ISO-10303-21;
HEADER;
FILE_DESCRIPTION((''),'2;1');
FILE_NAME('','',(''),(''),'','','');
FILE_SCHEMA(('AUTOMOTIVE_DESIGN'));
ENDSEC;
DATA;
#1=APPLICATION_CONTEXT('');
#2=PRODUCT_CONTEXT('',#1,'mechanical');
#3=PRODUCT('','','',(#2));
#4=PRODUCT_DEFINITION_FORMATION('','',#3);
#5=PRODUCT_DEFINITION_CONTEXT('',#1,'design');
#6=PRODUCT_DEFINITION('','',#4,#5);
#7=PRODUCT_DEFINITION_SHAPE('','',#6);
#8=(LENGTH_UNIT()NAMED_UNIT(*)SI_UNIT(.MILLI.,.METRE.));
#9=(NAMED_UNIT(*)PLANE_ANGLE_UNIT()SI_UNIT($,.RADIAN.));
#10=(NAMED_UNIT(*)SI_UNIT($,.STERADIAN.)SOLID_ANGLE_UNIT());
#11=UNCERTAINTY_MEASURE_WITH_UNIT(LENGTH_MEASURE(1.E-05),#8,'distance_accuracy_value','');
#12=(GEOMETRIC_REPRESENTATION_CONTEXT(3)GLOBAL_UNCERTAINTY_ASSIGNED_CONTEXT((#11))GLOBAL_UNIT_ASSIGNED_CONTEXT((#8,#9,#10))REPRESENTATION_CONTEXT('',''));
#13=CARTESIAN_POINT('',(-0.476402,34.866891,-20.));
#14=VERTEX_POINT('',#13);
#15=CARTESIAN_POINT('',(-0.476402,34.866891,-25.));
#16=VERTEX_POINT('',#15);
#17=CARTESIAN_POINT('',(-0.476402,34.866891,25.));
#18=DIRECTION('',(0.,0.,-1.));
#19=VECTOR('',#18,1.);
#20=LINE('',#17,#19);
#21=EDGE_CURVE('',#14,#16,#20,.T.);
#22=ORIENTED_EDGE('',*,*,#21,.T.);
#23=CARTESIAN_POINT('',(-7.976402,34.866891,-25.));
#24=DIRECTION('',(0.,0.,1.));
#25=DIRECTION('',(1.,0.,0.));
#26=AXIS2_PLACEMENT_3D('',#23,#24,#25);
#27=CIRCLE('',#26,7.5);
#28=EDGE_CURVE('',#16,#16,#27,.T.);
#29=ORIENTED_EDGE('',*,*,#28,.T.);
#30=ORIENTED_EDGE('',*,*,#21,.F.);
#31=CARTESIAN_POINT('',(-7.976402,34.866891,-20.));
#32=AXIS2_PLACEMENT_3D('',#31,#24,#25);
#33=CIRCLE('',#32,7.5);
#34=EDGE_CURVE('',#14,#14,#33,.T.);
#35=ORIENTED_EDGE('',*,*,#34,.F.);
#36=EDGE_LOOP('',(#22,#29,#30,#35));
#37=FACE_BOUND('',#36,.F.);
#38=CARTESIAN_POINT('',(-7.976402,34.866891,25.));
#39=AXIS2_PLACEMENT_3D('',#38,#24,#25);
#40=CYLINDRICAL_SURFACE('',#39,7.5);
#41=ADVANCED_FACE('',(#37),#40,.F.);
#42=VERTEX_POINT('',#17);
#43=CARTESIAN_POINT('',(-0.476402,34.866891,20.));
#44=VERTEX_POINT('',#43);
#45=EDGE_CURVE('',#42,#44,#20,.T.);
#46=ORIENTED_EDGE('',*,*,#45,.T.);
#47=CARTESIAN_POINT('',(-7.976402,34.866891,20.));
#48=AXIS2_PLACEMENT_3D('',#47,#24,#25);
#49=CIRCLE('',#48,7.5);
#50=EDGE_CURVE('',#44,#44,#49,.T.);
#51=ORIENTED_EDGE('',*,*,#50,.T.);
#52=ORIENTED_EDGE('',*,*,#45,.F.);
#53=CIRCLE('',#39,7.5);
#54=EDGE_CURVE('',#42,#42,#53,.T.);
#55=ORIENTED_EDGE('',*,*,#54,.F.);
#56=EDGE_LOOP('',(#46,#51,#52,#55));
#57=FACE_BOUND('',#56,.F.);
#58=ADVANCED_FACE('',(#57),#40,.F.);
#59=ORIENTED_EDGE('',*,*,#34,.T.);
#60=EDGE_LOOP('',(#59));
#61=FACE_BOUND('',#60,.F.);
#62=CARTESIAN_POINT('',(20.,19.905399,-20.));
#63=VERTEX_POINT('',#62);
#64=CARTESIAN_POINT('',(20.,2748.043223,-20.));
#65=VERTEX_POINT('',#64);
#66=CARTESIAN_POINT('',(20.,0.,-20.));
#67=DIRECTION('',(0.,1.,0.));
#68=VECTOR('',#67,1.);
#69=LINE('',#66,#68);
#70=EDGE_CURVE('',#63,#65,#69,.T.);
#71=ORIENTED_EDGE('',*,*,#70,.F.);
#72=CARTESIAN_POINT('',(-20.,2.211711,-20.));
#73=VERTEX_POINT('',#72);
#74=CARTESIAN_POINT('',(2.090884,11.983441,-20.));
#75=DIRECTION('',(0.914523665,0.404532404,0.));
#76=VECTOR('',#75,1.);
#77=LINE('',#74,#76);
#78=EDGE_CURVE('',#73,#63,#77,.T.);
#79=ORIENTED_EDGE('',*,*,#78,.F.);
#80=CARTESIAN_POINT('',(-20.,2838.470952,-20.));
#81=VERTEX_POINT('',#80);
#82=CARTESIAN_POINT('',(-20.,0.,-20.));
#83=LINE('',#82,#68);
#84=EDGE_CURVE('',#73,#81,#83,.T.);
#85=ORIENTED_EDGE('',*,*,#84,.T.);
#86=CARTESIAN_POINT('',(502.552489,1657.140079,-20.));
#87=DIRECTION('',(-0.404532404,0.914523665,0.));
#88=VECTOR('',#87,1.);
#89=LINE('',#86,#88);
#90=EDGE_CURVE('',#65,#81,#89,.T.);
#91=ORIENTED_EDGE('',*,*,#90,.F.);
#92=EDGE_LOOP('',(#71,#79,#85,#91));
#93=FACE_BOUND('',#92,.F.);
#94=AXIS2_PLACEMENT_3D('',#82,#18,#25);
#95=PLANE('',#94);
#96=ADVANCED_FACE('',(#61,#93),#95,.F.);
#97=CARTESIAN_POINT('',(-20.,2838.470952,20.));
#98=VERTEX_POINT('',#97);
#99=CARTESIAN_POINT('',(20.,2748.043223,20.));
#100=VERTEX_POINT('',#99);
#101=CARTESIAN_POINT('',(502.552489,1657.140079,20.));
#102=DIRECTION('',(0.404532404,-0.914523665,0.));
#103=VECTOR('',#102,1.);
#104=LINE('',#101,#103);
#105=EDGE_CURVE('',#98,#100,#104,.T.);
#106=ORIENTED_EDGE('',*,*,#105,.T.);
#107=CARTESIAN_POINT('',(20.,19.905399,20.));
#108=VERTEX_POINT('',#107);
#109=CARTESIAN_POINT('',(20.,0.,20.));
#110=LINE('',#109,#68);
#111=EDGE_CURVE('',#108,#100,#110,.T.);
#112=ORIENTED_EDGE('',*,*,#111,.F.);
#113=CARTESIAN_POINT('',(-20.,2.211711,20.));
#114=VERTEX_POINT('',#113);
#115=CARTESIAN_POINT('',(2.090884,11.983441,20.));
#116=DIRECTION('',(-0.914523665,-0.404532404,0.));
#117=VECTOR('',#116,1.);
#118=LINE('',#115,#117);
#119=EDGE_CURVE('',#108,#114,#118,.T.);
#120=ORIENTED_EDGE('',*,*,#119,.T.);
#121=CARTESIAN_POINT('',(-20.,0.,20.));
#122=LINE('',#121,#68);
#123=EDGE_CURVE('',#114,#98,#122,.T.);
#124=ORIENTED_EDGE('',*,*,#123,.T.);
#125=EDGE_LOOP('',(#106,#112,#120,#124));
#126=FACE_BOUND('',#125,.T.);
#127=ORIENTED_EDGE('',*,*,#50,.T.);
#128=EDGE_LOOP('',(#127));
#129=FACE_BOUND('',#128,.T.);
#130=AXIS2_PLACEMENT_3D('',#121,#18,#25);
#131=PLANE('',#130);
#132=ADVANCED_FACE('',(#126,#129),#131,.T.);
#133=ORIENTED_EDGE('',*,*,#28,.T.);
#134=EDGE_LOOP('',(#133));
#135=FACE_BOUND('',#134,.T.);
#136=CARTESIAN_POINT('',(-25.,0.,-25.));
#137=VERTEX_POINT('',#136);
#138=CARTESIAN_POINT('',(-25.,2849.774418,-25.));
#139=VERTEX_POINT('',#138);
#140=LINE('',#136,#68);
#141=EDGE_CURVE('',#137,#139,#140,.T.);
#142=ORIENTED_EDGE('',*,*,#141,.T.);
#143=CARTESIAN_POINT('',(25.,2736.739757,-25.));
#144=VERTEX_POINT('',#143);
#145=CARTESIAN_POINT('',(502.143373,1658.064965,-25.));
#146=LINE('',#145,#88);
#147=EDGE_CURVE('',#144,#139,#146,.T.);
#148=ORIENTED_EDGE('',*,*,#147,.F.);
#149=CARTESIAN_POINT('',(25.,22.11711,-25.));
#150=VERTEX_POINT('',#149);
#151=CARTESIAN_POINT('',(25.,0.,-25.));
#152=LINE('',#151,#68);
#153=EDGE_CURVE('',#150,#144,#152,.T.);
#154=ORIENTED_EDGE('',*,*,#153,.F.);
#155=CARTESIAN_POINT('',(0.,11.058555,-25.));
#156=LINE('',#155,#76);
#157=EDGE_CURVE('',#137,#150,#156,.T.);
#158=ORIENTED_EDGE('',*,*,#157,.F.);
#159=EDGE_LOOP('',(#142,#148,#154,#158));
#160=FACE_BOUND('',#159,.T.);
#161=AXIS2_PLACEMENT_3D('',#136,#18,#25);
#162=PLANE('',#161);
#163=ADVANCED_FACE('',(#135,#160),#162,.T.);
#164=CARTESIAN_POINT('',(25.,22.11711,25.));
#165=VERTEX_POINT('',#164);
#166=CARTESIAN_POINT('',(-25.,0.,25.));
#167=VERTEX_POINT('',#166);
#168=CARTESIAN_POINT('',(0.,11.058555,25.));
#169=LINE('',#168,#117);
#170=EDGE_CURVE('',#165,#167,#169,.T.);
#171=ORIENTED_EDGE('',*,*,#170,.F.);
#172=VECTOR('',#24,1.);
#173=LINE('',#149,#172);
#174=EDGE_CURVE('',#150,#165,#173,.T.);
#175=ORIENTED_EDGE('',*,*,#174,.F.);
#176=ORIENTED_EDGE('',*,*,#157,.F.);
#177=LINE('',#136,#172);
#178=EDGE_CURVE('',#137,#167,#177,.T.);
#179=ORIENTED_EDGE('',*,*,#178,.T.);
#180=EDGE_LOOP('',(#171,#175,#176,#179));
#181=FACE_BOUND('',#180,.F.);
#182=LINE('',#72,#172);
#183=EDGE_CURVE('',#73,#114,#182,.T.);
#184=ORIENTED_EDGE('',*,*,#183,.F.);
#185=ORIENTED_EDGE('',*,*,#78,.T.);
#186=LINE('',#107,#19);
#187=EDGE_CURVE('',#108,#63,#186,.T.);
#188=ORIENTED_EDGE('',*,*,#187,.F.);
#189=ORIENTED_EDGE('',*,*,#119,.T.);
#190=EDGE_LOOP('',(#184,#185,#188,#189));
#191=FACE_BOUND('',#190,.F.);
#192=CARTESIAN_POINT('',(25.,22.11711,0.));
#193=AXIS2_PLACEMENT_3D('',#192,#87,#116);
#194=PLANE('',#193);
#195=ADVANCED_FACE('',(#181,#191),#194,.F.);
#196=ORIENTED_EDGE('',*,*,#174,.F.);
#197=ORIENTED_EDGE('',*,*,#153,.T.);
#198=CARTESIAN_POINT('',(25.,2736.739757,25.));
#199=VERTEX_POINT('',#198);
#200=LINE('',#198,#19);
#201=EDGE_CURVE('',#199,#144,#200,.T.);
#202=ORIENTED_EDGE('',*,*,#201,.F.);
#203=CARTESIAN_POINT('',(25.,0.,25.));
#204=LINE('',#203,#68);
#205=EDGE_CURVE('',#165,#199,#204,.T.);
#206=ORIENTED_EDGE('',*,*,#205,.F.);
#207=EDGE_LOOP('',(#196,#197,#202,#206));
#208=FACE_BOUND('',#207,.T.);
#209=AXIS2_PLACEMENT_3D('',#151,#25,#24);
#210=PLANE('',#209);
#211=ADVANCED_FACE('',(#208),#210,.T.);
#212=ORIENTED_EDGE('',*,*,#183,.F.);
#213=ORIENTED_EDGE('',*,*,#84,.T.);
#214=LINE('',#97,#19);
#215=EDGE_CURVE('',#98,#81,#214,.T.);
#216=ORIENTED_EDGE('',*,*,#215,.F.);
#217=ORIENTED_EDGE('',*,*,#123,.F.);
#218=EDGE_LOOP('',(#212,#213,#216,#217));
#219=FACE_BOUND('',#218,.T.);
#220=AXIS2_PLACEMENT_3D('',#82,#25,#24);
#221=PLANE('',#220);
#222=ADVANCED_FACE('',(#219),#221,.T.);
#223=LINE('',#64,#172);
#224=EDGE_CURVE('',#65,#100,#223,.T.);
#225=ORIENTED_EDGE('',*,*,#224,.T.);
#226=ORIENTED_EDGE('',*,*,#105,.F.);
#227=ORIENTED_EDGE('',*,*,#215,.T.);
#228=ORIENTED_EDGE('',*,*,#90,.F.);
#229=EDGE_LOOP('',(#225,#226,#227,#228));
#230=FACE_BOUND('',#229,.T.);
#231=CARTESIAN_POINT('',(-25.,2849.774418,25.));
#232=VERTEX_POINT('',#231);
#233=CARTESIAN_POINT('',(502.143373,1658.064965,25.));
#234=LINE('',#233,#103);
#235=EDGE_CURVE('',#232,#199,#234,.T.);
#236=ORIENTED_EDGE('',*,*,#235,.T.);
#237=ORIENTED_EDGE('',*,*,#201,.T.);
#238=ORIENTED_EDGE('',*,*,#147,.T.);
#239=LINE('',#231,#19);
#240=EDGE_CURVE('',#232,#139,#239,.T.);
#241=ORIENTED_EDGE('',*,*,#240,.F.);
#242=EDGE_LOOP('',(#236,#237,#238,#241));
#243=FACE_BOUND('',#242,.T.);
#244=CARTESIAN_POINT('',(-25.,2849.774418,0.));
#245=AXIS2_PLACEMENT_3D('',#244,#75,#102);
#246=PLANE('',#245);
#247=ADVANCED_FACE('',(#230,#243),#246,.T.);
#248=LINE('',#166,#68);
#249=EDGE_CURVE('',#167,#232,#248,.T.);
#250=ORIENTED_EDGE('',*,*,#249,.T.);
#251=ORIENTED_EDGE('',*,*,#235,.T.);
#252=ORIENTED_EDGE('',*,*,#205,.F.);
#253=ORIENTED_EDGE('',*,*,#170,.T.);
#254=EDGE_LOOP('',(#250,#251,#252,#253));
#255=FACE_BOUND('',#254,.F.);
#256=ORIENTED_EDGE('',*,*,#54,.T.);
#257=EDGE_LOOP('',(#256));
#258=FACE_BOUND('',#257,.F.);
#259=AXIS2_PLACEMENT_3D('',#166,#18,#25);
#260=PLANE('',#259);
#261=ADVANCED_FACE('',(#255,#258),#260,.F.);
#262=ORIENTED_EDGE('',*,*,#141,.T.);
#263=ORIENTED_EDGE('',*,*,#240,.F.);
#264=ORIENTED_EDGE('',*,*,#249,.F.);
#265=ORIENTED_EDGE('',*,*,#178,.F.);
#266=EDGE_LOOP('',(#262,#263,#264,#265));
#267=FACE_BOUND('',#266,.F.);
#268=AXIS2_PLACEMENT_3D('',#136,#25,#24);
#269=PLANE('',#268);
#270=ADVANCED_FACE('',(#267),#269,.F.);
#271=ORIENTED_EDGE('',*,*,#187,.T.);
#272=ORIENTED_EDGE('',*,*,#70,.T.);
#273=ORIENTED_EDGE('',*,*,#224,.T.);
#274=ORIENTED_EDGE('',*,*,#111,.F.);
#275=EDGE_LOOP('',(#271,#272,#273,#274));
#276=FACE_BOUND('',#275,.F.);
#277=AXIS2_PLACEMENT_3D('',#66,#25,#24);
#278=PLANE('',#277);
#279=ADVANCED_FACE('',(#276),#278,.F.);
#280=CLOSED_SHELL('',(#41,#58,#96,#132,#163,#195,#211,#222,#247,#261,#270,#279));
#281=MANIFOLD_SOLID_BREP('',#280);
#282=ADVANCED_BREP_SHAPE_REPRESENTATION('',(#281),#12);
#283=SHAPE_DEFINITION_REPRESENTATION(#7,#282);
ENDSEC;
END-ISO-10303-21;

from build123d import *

# Parameters (mm, degrees)
F0_W          = 50
F0_H          = 50
F0_W_2        = 40
F0_H_2        = 40
F1_DEPTH      = 3000
F3_DEPTH      = 25.001
F3_DEPTH_BACK = 25.001
F4_R          = 7.5
F5_DEPTH      = 50.001


with BuildPart() as f1:
    # F0 (on Front) → F1 (new body)
    with BuildSketch(Plane.XZ):
        Rectangle(F0_W, F0_H)
        Rectangle(F0_W_2, F0_H_2, mode=Mode.SUBTRACT)
    extrude(amount=-F1_DEPTH)

    # F2 (on Top) → F3 (cut, two sides)
    with BuildSketch(Plane.XY) as f3_sk:
        Polygon((-25, 3000), (-25, 2849.7744184879), (25, 2736.739757117), (25, 3000), align=None)
        Polygon((25, 22.1171096519), (-25, 0), (25, 0), align=None)
    extrude(amount=-F3_DEPTH, mode=Mode.SUBTRACT)
    extrude(f3_sk.sketch, amount=F3_DEPTH_BACK, mode=Mode.SUBTRACT)

    # F4 (on face) → F5 (cut, through all)
    with BuildSketch(Plane.XY.offset(25)):
        with Locations((-7.9764017243, 34.8668911918)):
            Circle(F4_R)
    extrude(amount=-F5_DEPTH, mode=Mode.SUBTRACT)


solid = f1.part
